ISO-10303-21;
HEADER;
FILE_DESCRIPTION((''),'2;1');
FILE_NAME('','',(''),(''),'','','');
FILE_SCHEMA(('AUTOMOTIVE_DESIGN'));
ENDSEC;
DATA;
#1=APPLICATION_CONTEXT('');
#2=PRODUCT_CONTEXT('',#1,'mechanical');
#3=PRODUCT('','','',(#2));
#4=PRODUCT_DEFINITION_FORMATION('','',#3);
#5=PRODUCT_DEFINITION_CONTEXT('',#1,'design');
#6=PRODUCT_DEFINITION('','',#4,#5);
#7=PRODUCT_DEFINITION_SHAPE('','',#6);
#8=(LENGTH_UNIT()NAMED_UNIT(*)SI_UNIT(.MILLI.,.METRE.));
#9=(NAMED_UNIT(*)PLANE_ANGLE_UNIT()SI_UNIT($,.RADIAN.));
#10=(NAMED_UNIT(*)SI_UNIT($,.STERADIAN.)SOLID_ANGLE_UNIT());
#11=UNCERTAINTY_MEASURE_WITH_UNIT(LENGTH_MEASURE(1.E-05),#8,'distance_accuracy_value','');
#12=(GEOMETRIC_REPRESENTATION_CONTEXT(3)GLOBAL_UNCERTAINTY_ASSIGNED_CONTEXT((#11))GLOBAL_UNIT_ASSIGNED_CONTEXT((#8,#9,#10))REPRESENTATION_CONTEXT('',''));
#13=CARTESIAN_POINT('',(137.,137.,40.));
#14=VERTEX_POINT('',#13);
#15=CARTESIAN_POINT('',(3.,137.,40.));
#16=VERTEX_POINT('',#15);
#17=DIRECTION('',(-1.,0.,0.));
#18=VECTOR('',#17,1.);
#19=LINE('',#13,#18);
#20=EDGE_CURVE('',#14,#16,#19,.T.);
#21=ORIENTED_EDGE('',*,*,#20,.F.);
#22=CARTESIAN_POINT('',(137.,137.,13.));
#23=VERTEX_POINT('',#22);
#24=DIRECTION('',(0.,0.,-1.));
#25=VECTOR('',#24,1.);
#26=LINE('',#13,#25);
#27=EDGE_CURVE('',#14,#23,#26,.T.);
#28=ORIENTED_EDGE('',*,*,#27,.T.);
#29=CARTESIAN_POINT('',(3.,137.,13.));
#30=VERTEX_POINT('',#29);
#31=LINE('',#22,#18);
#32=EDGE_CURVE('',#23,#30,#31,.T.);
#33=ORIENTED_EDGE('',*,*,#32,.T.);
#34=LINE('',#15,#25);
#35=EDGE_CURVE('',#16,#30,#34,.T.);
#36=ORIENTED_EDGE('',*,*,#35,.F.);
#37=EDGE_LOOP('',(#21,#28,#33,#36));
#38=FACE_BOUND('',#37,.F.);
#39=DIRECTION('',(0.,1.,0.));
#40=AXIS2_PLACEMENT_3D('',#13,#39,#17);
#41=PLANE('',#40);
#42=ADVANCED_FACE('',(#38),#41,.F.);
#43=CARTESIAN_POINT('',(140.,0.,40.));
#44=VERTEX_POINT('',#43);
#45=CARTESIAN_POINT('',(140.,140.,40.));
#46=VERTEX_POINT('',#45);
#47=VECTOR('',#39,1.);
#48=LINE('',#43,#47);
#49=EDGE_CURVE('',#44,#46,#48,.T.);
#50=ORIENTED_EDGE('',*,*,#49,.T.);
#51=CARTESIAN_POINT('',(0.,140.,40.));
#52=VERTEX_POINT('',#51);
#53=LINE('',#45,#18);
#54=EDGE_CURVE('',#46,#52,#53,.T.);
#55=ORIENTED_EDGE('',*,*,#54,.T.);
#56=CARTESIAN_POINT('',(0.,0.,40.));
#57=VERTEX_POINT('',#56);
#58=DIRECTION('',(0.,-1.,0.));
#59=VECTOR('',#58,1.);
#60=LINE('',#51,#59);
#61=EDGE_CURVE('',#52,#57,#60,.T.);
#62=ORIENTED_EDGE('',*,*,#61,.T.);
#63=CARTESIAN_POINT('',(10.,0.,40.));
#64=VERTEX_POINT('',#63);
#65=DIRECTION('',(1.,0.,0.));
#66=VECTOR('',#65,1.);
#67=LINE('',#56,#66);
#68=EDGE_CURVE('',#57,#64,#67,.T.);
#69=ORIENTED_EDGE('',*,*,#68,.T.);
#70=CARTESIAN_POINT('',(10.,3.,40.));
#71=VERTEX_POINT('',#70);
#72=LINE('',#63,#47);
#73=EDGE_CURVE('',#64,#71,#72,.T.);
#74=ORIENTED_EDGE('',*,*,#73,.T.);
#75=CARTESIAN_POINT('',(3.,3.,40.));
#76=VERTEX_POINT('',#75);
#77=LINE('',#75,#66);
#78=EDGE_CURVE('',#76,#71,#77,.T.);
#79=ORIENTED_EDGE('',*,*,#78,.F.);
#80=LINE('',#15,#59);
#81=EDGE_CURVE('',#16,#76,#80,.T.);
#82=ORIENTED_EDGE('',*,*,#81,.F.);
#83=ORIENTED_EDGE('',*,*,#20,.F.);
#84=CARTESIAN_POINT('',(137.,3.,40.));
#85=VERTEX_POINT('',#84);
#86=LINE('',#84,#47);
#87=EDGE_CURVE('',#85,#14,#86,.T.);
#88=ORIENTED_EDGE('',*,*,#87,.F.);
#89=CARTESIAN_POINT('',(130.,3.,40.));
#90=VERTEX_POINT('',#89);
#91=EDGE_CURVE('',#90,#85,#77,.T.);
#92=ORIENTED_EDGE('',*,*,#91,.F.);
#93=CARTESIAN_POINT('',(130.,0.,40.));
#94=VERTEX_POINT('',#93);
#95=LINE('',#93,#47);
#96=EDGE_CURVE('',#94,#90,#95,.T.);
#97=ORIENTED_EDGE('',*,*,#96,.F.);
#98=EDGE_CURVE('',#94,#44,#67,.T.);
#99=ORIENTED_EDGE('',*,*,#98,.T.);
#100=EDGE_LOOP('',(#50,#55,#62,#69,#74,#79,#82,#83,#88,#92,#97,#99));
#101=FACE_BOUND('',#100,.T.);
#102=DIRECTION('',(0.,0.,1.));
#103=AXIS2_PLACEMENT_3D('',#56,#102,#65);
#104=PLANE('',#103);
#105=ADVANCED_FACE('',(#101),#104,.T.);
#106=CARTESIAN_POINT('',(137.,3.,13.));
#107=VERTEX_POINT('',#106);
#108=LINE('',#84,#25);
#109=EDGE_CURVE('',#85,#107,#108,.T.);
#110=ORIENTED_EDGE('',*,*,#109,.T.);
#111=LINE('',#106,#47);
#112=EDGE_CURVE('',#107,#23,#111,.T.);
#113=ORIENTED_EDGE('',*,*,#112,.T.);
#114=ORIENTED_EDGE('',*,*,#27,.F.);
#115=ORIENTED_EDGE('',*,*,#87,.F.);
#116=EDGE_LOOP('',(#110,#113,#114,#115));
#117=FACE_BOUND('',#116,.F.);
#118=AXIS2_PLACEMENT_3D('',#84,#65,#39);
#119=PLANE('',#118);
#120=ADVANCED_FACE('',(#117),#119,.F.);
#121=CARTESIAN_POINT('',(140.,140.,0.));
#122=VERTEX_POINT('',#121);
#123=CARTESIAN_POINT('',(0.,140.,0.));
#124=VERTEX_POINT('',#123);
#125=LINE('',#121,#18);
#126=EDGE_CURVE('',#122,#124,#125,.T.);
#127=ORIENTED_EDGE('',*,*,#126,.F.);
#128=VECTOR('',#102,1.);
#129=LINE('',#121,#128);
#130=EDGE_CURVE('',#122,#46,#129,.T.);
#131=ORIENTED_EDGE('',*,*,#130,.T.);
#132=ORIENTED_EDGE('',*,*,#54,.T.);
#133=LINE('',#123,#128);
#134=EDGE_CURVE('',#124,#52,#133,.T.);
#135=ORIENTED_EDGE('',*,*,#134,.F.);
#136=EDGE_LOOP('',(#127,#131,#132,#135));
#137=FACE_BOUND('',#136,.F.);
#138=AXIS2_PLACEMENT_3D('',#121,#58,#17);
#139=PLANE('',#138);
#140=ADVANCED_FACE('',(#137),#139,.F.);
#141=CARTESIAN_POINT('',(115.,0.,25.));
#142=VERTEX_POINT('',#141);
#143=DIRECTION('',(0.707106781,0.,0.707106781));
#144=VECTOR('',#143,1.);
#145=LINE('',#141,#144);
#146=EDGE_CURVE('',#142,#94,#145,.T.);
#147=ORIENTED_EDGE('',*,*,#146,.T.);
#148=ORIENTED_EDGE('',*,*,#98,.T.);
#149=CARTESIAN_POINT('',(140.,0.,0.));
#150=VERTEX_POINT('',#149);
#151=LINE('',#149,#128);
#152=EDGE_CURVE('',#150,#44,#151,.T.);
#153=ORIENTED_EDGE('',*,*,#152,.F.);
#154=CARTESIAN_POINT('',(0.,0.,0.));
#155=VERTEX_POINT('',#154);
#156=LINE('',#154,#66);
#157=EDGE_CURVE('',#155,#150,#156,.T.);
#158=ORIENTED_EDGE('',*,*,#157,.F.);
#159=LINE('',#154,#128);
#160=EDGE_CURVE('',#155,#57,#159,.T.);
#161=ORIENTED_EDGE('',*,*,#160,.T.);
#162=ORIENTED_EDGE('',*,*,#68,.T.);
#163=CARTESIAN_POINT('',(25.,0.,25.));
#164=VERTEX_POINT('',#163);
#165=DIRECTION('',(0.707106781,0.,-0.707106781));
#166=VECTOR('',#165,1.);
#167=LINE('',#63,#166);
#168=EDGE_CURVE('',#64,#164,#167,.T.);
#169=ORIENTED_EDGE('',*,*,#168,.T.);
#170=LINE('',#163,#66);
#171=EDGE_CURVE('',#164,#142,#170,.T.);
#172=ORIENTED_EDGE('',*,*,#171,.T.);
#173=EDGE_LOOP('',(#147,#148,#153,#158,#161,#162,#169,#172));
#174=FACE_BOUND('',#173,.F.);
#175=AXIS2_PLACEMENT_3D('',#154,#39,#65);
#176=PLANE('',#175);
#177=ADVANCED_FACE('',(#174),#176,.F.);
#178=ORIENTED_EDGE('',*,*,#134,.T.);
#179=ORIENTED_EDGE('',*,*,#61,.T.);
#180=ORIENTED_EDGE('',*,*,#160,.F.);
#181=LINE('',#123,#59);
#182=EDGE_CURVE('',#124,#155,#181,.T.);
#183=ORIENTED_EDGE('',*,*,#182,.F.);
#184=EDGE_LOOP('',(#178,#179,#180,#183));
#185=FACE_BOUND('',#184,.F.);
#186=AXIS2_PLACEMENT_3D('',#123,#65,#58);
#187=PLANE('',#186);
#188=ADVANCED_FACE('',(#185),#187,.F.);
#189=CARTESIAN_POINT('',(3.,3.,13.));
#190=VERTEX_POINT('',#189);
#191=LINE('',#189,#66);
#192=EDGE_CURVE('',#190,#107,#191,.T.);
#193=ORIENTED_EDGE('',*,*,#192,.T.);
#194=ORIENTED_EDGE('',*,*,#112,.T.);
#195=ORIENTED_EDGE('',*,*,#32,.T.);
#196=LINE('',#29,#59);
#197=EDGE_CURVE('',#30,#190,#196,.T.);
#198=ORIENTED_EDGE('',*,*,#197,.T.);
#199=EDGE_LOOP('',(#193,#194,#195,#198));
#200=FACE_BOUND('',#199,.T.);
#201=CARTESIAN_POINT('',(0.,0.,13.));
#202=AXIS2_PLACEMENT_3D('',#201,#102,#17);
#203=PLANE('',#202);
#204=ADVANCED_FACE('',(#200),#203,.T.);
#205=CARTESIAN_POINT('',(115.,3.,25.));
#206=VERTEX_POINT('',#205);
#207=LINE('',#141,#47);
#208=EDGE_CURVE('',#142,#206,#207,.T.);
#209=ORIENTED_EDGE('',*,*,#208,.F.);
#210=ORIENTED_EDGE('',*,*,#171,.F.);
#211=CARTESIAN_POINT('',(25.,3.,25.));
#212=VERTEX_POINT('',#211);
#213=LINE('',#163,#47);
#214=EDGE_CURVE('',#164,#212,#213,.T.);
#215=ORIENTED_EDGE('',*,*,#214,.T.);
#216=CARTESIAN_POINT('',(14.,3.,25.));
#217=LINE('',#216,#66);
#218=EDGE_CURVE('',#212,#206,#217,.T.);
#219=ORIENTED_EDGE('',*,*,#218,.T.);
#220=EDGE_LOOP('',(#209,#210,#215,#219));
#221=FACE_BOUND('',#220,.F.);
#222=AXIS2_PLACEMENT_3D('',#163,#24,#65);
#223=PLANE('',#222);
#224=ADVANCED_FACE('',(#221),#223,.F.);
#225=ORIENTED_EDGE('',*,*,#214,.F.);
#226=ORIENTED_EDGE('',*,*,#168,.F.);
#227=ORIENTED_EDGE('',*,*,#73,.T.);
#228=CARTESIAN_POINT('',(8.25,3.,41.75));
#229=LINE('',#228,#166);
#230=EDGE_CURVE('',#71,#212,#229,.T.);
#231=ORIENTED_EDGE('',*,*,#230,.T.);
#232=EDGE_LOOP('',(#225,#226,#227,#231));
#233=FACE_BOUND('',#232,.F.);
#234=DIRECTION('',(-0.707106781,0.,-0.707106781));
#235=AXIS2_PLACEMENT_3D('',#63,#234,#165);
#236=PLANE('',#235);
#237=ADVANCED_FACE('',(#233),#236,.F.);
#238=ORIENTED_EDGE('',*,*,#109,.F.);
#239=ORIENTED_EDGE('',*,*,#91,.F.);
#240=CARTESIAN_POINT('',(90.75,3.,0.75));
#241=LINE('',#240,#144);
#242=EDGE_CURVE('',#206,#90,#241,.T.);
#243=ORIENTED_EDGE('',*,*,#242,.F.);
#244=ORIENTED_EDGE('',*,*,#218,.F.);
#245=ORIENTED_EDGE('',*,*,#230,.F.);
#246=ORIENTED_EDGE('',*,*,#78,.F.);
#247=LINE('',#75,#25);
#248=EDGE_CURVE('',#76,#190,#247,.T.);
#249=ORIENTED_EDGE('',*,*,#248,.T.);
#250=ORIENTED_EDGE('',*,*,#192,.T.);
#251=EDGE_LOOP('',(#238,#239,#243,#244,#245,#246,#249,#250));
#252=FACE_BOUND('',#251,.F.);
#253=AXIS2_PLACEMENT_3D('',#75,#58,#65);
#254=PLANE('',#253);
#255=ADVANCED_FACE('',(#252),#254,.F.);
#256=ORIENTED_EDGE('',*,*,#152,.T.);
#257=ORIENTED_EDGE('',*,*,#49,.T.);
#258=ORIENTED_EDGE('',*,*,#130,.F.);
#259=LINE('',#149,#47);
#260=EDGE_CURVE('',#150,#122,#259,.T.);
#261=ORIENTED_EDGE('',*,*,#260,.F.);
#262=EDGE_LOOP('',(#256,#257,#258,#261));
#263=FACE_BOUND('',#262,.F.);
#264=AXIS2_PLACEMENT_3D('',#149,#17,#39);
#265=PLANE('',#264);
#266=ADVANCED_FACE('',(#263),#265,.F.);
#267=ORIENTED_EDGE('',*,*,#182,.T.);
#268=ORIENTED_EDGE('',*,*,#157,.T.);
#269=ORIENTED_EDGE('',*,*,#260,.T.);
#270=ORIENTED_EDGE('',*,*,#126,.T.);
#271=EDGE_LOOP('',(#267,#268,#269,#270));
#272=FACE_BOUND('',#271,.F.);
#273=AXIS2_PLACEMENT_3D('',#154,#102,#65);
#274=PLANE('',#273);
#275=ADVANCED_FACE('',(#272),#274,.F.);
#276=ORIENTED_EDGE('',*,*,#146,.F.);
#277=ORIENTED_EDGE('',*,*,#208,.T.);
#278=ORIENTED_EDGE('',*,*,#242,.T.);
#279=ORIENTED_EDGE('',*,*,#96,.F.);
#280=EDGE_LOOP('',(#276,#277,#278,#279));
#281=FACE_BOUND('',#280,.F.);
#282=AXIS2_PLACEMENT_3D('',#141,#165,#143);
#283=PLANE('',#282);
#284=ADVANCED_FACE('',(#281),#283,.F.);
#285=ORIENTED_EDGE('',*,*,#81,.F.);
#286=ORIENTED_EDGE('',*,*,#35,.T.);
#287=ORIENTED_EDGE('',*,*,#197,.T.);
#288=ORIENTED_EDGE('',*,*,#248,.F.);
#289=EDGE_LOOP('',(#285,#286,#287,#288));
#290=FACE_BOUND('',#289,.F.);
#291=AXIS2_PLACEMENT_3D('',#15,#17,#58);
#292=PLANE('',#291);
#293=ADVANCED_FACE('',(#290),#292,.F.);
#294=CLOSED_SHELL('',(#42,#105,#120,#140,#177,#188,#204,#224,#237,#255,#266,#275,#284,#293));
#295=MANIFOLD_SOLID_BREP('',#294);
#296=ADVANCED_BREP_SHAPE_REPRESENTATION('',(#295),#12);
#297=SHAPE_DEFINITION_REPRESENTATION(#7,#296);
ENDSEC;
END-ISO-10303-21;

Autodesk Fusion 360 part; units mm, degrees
sketch "Sketch1" plane through (0, 0, 0) normal (0, 0, 1) x (1, 0, 0)
  line L0 (0, 0) -> (140, 0)
  line L1 (140, 0) -> (140, 140)
  line L2 (140, 140) -> (0, 140)
  line L3 (0, 140) -> (0, 0)
  dimension "d1" = 140
  dimension "d2" = 140
extrude "Extrude1" add sketch "Sketch1" along normal blind 40
sketch "Sketch2" plane through (0, 0, 40) normal (0, 0, 1) x (-1, 0, 0)
  line L0 (0, -140) -> (0, 0)
  line L1 (0, 0) -> (-140, 0)
  line L2 (-140, 0) -> (-140, -140)
  line L3 (-140, -140) -> (0, -140)
  line L4 (0, 0) -> (-3, 0)
  line L5 (-3, 0) -> (-3, -3)
  line L6 (-3, -3) -> (0, -3)
  line L7 (0, -3) -> (0, 0)
  line L8 (-140, -140) -> (-137, -140)
  line L9 (-137, -140) -> (-137, -137)
  line L10 (-137, -137) -> (-140, -137)
  line L11 (-140, -137) -> (-140, -140)
  line L12 (-3, -3) -> (-137, -3)
  line L13 (-137, -3) -> (-137, -137)
  line L14 (-137, -137) -> (-3, -137)
  line L15 (-3, -137) -> (-3, -3)
  dimension "d5" = 3
  dimension "d6" = 3
  dimension "d7" = 3
  dimension "d8" = 3
extrude "Extrude6" cut sketch "Sketch2" against normal blind 27 contours L12 L13 L14 L15
sketch "Sketch5" plane through (0, 0, 0) normal (0, -1, 0) x (1, 0, 0)
  line L0 (0, 0) -> (140, 0)
  line L1 (140, 0) -> (140, 40)
  line L2 (140, 40) -> (0, 40)
  line L3 (0, 40) -> (0, 0)
  line L4 (10, 40) -> (25, 25)
  line L5 (25, 25) -> (115, 25)
  line L6 (115, 25) -> (130, 40)
extrude "Extrude7" cut sketch "Sketch5" against normal blind 5 contours L2 L4 L5 L6
